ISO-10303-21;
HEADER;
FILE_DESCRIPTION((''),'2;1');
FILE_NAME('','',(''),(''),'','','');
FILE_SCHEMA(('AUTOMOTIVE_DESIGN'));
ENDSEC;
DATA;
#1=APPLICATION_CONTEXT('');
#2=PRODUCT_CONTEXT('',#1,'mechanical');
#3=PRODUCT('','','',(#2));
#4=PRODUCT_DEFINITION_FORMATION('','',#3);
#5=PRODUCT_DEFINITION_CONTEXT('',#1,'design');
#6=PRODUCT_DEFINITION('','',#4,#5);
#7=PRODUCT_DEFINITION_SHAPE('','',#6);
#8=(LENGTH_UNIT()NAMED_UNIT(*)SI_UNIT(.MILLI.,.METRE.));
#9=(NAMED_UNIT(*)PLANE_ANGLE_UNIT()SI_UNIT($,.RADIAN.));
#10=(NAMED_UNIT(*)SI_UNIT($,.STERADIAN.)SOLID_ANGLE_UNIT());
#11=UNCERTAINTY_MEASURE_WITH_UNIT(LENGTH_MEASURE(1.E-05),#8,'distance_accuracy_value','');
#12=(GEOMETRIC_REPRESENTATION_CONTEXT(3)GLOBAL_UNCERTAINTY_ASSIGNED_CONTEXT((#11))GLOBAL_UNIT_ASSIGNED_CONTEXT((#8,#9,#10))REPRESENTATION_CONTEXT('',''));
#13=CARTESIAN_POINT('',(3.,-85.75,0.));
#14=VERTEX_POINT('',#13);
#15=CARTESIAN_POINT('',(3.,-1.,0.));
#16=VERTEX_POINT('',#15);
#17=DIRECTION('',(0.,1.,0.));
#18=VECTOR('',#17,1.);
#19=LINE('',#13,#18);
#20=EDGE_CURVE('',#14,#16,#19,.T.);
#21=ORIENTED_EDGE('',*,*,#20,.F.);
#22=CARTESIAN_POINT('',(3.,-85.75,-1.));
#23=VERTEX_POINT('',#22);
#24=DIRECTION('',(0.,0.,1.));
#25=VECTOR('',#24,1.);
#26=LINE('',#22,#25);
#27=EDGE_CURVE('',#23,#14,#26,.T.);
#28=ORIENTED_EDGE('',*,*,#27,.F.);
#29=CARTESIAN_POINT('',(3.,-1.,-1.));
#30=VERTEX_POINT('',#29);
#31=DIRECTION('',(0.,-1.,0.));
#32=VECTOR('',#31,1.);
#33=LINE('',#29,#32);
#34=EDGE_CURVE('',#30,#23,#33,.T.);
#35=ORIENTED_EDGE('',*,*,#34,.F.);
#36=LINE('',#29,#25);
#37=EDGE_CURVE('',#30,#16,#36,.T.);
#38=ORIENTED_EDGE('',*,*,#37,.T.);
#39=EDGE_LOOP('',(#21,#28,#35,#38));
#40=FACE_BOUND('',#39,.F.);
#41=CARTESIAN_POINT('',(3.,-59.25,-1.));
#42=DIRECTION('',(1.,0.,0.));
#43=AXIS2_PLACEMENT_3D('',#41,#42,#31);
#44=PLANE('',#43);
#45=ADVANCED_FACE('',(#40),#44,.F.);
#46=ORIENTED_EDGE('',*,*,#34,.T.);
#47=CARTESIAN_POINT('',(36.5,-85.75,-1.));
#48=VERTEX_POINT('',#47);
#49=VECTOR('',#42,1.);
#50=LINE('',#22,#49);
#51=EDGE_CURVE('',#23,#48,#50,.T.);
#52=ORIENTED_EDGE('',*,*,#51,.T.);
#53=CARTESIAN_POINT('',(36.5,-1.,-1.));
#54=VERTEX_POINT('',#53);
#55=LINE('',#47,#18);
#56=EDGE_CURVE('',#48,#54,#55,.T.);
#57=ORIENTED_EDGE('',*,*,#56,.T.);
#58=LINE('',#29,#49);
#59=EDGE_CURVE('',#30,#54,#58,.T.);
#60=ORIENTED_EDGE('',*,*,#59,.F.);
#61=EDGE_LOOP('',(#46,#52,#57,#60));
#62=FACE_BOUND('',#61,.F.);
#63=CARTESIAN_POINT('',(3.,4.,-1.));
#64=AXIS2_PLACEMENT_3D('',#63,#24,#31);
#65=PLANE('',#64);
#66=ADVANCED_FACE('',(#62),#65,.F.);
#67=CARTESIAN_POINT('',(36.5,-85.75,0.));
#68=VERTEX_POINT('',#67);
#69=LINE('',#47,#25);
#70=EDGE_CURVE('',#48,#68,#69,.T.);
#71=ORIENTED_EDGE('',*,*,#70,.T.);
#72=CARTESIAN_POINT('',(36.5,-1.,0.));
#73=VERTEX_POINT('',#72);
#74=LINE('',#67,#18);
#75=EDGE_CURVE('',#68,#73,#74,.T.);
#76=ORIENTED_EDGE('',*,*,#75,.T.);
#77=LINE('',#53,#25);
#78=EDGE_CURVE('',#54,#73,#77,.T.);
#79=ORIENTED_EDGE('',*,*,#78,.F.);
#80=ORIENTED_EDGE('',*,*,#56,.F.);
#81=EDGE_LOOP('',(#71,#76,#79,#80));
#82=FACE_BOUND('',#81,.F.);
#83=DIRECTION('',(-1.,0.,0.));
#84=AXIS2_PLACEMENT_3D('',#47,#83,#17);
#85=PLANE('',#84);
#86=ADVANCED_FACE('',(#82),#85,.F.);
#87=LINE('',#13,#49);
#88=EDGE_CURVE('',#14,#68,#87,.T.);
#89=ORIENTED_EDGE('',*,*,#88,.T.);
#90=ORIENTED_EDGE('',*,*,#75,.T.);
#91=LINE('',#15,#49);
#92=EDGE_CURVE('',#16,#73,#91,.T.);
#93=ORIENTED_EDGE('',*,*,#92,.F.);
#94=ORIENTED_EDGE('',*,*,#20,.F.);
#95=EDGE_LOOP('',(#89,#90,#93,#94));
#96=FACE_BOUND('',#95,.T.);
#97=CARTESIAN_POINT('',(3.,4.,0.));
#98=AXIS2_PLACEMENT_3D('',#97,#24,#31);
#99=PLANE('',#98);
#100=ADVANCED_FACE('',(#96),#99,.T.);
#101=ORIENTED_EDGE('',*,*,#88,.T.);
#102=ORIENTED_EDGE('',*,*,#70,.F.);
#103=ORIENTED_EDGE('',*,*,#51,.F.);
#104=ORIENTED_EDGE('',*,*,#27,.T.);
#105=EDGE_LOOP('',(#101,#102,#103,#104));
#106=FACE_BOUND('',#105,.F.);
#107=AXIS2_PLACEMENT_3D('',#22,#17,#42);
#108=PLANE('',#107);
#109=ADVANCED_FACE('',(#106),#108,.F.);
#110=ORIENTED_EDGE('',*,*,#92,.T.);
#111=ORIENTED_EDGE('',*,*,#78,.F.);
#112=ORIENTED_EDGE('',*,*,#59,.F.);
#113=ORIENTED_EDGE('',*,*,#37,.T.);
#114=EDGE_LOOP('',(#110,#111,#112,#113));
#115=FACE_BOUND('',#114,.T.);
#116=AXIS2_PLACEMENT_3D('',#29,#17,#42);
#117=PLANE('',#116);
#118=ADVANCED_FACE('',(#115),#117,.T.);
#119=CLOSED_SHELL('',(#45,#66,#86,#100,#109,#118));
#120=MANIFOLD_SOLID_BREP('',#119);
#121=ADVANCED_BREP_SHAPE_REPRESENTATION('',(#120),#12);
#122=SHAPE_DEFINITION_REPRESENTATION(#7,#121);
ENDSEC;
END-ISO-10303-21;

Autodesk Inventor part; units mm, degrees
ref_plane "YZ Plane" through (0, 0, 0) normal (1, 0, 0) x (0, 1, 0)
ref_plane "XZ Plane" through (0, 0, 0) normal (0, 1, 0) x (-1, 0, 0)
ref_plane "XY Plane" through (0, 0, 0) normal (0, 0, 1) x (1, 0, 0)
ref_plane "Work Plane1" through (3, 4, -1) normal (0, 0, 1) x (0, -1, 0)
sketch "Sketch1" plane through (3, 4, -1) normal (0, 0, 1) x (0, -1, 0)
  line L0 (89.75, 33.5) -> (5, 33.5) projected
  line L1 (5, 0) -> (5, 33.5) projected
  line L2 (5, 0) -> (89.75, 0) projected
  line L3 (89.75, 0) -> (89.75, 33.5) projected
  line L4 (5, 0) -> (60, 0) projected
  line L5 (5, -3) -> (5, 0) projected
  line L6 (4, -3) -> (60, -3) projected
  line L7 (60, 3.25) -> (60, 0) projected
  line L8 (60, -3) -> (60, 0) projected
  arc A0 (60, 3.25) -> (63.25, 0) centre (63.25, 3.25) ccw projected
  line L9 (60, 0) -> (63.25, 0) projected
  point P0 (52, 0)
  point P1 (60, 33.5)
  point P2 (64.076, 0)
  point P3 (87.674, 0)
extrude "Extrusion1" add sketch "Sketch1" along normal blind 1 contours L3 L2 A0 L7 L1 L0 | L2 L7 A0
properties part number "right_metal_gear_bracker"
